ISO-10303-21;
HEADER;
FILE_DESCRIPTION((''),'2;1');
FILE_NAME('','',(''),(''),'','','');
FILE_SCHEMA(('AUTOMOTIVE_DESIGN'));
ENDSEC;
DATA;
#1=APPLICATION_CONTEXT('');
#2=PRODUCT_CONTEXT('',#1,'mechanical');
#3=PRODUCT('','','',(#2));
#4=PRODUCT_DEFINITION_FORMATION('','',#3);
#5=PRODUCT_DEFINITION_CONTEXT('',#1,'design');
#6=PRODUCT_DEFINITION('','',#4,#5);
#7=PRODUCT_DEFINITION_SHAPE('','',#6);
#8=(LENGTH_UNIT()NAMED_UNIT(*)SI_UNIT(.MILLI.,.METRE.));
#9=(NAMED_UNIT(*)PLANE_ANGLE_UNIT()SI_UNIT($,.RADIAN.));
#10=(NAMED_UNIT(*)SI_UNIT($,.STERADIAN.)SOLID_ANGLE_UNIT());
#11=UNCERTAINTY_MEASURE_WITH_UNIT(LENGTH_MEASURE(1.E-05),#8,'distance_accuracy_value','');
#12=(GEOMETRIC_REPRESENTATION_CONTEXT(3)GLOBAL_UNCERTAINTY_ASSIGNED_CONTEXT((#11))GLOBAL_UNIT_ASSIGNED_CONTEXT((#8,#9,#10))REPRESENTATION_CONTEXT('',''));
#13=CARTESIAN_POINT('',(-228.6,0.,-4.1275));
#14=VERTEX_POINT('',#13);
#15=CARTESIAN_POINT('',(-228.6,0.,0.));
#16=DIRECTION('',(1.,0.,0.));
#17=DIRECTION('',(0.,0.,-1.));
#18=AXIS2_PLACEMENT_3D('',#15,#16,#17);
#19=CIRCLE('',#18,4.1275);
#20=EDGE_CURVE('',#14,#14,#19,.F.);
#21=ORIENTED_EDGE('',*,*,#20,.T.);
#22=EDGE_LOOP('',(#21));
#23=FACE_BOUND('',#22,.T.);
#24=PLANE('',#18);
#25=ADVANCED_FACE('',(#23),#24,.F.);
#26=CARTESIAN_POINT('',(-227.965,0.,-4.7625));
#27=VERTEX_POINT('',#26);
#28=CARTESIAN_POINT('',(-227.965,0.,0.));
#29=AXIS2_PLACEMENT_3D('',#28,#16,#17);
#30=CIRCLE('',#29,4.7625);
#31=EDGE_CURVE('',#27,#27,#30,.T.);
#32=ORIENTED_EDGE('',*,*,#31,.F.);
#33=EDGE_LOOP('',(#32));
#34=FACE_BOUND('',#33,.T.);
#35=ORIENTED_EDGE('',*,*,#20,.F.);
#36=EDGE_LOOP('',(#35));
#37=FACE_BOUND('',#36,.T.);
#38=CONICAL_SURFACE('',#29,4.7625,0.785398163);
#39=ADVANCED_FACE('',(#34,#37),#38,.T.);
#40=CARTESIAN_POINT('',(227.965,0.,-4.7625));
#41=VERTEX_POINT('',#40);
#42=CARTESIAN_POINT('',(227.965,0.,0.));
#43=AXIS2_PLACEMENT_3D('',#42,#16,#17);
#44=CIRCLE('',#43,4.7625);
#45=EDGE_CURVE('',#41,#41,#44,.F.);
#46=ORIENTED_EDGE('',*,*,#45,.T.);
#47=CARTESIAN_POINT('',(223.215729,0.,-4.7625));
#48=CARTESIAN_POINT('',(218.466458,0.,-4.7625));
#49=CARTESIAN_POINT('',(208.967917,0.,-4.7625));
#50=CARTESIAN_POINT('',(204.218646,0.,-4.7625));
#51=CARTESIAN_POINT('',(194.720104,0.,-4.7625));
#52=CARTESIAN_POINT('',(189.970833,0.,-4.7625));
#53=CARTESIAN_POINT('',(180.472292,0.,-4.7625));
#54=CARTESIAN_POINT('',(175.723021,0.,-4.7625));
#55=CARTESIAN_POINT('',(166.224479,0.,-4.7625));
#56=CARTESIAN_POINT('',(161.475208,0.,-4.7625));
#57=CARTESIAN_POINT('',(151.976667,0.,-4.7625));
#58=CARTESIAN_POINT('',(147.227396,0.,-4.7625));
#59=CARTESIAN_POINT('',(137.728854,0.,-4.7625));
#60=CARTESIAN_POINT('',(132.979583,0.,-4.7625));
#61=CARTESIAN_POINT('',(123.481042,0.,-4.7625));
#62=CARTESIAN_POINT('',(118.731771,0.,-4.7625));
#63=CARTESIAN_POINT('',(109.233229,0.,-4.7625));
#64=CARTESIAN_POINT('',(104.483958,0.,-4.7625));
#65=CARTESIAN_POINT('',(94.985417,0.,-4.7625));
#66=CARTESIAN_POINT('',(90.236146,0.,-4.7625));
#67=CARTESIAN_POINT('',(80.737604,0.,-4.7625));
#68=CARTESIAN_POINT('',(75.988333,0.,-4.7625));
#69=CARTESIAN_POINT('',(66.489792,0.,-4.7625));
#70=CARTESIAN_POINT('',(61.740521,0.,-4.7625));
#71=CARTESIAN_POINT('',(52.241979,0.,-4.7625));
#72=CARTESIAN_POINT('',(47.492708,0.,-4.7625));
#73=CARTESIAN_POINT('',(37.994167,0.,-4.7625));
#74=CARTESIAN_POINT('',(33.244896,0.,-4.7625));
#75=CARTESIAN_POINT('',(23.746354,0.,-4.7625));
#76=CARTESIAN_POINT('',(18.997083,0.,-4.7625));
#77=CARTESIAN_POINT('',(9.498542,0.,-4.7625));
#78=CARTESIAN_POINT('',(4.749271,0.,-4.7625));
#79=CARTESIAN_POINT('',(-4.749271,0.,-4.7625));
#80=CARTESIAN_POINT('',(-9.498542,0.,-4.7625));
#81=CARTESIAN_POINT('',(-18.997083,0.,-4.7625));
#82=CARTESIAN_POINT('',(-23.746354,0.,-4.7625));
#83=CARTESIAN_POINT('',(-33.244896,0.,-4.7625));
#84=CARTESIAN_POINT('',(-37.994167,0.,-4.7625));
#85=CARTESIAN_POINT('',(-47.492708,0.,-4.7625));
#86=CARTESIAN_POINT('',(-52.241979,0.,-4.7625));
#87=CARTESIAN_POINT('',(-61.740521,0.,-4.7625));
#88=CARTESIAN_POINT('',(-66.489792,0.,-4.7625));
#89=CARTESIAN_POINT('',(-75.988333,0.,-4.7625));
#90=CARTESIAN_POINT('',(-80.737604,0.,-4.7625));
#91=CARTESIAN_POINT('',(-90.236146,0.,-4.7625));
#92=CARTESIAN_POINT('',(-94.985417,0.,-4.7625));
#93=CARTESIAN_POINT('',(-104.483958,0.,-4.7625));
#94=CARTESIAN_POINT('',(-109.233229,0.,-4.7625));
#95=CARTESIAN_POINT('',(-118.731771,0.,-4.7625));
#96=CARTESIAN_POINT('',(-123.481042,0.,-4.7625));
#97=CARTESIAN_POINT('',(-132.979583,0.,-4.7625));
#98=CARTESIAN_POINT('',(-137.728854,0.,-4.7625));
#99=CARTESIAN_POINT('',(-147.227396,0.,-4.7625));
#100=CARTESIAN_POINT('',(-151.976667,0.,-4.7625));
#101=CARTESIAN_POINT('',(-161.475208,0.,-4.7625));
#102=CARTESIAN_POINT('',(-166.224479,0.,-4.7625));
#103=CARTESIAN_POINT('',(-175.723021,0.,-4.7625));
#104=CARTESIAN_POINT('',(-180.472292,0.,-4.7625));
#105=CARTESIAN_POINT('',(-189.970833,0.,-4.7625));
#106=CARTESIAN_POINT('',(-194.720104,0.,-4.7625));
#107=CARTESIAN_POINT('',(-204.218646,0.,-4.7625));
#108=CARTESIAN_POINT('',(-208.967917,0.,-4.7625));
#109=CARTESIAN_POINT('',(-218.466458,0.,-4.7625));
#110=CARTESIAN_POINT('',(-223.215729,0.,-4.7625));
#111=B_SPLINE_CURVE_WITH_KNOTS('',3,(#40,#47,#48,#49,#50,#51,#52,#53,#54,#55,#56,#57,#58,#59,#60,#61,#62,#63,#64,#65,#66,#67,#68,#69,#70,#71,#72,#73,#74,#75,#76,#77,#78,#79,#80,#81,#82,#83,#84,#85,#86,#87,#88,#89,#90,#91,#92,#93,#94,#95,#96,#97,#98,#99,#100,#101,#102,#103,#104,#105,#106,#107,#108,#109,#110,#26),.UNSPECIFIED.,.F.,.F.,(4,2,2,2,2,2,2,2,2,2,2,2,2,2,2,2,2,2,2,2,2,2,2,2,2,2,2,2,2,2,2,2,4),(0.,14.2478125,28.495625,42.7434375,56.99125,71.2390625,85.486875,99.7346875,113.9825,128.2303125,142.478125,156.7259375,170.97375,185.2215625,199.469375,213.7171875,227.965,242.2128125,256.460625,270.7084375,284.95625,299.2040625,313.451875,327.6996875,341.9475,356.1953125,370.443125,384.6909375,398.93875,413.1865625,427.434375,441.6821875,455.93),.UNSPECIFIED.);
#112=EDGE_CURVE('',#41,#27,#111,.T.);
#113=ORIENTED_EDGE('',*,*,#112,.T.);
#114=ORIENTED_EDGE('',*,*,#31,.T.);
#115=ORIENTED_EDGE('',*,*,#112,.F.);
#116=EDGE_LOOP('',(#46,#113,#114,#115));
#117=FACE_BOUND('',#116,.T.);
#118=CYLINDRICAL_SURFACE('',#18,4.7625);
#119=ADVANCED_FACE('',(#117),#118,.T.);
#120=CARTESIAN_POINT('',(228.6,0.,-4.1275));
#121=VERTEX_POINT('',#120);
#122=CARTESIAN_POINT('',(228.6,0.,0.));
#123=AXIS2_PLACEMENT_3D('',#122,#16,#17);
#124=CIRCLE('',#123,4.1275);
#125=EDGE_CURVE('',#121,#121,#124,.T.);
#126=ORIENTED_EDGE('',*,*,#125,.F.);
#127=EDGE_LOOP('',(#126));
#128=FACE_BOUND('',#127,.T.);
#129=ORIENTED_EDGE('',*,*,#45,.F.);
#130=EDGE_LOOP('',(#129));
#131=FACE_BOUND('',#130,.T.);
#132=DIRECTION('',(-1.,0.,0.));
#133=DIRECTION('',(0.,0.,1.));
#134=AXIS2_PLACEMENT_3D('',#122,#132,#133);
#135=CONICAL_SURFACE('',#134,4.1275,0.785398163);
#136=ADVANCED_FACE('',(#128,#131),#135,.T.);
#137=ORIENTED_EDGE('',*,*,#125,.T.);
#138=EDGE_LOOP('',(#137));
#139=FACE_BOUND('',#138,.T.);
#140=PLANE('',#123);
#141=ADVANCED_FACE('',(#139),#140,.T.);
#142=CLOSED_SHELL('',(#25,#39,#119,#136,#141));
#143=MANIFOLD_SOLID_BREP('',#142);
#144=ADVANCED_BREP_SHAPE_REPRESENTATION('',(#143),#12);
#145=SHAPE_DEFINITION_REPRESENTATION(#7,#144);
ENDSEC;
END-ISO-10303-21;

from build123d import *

# Parameters (mm, degrees)
EXTRUDE1_DEPTH      = 228.6
EXTRUDE1_DEPTH_BACK = 228.6
SKETCH2_R           = 4.7625
CHAMFER1_SIZE       = 0.635


with BuildPart() as part:
    # Sketch2 → Extrude1 (new, two sides: drawn at the far end of the back side and taken through both)
    with BuildSketch(Plane(origin=(0, 0, 0), x_dir=(0, 0, -1), z_dir=(1, 0, 0)).offset(-EXTRUDE1_DEPTH_BACK)):
        Circle(SKETCH2_R)
    extrude(amount=EXTRUDE1_DEPTH + EXTRUDE1_DEPTH_BACK)

    # Chamfer1
    chamfer1_edges = [part.edges().sort_by_distance(p)[0] for p in [
        (-228.6, 0, 4.7625),
        (228.6, 0, 4.7625),
    ]]
    chamfer(chamfer1_edges, length=CHAMFER1_SIZE)


solid = part.part
